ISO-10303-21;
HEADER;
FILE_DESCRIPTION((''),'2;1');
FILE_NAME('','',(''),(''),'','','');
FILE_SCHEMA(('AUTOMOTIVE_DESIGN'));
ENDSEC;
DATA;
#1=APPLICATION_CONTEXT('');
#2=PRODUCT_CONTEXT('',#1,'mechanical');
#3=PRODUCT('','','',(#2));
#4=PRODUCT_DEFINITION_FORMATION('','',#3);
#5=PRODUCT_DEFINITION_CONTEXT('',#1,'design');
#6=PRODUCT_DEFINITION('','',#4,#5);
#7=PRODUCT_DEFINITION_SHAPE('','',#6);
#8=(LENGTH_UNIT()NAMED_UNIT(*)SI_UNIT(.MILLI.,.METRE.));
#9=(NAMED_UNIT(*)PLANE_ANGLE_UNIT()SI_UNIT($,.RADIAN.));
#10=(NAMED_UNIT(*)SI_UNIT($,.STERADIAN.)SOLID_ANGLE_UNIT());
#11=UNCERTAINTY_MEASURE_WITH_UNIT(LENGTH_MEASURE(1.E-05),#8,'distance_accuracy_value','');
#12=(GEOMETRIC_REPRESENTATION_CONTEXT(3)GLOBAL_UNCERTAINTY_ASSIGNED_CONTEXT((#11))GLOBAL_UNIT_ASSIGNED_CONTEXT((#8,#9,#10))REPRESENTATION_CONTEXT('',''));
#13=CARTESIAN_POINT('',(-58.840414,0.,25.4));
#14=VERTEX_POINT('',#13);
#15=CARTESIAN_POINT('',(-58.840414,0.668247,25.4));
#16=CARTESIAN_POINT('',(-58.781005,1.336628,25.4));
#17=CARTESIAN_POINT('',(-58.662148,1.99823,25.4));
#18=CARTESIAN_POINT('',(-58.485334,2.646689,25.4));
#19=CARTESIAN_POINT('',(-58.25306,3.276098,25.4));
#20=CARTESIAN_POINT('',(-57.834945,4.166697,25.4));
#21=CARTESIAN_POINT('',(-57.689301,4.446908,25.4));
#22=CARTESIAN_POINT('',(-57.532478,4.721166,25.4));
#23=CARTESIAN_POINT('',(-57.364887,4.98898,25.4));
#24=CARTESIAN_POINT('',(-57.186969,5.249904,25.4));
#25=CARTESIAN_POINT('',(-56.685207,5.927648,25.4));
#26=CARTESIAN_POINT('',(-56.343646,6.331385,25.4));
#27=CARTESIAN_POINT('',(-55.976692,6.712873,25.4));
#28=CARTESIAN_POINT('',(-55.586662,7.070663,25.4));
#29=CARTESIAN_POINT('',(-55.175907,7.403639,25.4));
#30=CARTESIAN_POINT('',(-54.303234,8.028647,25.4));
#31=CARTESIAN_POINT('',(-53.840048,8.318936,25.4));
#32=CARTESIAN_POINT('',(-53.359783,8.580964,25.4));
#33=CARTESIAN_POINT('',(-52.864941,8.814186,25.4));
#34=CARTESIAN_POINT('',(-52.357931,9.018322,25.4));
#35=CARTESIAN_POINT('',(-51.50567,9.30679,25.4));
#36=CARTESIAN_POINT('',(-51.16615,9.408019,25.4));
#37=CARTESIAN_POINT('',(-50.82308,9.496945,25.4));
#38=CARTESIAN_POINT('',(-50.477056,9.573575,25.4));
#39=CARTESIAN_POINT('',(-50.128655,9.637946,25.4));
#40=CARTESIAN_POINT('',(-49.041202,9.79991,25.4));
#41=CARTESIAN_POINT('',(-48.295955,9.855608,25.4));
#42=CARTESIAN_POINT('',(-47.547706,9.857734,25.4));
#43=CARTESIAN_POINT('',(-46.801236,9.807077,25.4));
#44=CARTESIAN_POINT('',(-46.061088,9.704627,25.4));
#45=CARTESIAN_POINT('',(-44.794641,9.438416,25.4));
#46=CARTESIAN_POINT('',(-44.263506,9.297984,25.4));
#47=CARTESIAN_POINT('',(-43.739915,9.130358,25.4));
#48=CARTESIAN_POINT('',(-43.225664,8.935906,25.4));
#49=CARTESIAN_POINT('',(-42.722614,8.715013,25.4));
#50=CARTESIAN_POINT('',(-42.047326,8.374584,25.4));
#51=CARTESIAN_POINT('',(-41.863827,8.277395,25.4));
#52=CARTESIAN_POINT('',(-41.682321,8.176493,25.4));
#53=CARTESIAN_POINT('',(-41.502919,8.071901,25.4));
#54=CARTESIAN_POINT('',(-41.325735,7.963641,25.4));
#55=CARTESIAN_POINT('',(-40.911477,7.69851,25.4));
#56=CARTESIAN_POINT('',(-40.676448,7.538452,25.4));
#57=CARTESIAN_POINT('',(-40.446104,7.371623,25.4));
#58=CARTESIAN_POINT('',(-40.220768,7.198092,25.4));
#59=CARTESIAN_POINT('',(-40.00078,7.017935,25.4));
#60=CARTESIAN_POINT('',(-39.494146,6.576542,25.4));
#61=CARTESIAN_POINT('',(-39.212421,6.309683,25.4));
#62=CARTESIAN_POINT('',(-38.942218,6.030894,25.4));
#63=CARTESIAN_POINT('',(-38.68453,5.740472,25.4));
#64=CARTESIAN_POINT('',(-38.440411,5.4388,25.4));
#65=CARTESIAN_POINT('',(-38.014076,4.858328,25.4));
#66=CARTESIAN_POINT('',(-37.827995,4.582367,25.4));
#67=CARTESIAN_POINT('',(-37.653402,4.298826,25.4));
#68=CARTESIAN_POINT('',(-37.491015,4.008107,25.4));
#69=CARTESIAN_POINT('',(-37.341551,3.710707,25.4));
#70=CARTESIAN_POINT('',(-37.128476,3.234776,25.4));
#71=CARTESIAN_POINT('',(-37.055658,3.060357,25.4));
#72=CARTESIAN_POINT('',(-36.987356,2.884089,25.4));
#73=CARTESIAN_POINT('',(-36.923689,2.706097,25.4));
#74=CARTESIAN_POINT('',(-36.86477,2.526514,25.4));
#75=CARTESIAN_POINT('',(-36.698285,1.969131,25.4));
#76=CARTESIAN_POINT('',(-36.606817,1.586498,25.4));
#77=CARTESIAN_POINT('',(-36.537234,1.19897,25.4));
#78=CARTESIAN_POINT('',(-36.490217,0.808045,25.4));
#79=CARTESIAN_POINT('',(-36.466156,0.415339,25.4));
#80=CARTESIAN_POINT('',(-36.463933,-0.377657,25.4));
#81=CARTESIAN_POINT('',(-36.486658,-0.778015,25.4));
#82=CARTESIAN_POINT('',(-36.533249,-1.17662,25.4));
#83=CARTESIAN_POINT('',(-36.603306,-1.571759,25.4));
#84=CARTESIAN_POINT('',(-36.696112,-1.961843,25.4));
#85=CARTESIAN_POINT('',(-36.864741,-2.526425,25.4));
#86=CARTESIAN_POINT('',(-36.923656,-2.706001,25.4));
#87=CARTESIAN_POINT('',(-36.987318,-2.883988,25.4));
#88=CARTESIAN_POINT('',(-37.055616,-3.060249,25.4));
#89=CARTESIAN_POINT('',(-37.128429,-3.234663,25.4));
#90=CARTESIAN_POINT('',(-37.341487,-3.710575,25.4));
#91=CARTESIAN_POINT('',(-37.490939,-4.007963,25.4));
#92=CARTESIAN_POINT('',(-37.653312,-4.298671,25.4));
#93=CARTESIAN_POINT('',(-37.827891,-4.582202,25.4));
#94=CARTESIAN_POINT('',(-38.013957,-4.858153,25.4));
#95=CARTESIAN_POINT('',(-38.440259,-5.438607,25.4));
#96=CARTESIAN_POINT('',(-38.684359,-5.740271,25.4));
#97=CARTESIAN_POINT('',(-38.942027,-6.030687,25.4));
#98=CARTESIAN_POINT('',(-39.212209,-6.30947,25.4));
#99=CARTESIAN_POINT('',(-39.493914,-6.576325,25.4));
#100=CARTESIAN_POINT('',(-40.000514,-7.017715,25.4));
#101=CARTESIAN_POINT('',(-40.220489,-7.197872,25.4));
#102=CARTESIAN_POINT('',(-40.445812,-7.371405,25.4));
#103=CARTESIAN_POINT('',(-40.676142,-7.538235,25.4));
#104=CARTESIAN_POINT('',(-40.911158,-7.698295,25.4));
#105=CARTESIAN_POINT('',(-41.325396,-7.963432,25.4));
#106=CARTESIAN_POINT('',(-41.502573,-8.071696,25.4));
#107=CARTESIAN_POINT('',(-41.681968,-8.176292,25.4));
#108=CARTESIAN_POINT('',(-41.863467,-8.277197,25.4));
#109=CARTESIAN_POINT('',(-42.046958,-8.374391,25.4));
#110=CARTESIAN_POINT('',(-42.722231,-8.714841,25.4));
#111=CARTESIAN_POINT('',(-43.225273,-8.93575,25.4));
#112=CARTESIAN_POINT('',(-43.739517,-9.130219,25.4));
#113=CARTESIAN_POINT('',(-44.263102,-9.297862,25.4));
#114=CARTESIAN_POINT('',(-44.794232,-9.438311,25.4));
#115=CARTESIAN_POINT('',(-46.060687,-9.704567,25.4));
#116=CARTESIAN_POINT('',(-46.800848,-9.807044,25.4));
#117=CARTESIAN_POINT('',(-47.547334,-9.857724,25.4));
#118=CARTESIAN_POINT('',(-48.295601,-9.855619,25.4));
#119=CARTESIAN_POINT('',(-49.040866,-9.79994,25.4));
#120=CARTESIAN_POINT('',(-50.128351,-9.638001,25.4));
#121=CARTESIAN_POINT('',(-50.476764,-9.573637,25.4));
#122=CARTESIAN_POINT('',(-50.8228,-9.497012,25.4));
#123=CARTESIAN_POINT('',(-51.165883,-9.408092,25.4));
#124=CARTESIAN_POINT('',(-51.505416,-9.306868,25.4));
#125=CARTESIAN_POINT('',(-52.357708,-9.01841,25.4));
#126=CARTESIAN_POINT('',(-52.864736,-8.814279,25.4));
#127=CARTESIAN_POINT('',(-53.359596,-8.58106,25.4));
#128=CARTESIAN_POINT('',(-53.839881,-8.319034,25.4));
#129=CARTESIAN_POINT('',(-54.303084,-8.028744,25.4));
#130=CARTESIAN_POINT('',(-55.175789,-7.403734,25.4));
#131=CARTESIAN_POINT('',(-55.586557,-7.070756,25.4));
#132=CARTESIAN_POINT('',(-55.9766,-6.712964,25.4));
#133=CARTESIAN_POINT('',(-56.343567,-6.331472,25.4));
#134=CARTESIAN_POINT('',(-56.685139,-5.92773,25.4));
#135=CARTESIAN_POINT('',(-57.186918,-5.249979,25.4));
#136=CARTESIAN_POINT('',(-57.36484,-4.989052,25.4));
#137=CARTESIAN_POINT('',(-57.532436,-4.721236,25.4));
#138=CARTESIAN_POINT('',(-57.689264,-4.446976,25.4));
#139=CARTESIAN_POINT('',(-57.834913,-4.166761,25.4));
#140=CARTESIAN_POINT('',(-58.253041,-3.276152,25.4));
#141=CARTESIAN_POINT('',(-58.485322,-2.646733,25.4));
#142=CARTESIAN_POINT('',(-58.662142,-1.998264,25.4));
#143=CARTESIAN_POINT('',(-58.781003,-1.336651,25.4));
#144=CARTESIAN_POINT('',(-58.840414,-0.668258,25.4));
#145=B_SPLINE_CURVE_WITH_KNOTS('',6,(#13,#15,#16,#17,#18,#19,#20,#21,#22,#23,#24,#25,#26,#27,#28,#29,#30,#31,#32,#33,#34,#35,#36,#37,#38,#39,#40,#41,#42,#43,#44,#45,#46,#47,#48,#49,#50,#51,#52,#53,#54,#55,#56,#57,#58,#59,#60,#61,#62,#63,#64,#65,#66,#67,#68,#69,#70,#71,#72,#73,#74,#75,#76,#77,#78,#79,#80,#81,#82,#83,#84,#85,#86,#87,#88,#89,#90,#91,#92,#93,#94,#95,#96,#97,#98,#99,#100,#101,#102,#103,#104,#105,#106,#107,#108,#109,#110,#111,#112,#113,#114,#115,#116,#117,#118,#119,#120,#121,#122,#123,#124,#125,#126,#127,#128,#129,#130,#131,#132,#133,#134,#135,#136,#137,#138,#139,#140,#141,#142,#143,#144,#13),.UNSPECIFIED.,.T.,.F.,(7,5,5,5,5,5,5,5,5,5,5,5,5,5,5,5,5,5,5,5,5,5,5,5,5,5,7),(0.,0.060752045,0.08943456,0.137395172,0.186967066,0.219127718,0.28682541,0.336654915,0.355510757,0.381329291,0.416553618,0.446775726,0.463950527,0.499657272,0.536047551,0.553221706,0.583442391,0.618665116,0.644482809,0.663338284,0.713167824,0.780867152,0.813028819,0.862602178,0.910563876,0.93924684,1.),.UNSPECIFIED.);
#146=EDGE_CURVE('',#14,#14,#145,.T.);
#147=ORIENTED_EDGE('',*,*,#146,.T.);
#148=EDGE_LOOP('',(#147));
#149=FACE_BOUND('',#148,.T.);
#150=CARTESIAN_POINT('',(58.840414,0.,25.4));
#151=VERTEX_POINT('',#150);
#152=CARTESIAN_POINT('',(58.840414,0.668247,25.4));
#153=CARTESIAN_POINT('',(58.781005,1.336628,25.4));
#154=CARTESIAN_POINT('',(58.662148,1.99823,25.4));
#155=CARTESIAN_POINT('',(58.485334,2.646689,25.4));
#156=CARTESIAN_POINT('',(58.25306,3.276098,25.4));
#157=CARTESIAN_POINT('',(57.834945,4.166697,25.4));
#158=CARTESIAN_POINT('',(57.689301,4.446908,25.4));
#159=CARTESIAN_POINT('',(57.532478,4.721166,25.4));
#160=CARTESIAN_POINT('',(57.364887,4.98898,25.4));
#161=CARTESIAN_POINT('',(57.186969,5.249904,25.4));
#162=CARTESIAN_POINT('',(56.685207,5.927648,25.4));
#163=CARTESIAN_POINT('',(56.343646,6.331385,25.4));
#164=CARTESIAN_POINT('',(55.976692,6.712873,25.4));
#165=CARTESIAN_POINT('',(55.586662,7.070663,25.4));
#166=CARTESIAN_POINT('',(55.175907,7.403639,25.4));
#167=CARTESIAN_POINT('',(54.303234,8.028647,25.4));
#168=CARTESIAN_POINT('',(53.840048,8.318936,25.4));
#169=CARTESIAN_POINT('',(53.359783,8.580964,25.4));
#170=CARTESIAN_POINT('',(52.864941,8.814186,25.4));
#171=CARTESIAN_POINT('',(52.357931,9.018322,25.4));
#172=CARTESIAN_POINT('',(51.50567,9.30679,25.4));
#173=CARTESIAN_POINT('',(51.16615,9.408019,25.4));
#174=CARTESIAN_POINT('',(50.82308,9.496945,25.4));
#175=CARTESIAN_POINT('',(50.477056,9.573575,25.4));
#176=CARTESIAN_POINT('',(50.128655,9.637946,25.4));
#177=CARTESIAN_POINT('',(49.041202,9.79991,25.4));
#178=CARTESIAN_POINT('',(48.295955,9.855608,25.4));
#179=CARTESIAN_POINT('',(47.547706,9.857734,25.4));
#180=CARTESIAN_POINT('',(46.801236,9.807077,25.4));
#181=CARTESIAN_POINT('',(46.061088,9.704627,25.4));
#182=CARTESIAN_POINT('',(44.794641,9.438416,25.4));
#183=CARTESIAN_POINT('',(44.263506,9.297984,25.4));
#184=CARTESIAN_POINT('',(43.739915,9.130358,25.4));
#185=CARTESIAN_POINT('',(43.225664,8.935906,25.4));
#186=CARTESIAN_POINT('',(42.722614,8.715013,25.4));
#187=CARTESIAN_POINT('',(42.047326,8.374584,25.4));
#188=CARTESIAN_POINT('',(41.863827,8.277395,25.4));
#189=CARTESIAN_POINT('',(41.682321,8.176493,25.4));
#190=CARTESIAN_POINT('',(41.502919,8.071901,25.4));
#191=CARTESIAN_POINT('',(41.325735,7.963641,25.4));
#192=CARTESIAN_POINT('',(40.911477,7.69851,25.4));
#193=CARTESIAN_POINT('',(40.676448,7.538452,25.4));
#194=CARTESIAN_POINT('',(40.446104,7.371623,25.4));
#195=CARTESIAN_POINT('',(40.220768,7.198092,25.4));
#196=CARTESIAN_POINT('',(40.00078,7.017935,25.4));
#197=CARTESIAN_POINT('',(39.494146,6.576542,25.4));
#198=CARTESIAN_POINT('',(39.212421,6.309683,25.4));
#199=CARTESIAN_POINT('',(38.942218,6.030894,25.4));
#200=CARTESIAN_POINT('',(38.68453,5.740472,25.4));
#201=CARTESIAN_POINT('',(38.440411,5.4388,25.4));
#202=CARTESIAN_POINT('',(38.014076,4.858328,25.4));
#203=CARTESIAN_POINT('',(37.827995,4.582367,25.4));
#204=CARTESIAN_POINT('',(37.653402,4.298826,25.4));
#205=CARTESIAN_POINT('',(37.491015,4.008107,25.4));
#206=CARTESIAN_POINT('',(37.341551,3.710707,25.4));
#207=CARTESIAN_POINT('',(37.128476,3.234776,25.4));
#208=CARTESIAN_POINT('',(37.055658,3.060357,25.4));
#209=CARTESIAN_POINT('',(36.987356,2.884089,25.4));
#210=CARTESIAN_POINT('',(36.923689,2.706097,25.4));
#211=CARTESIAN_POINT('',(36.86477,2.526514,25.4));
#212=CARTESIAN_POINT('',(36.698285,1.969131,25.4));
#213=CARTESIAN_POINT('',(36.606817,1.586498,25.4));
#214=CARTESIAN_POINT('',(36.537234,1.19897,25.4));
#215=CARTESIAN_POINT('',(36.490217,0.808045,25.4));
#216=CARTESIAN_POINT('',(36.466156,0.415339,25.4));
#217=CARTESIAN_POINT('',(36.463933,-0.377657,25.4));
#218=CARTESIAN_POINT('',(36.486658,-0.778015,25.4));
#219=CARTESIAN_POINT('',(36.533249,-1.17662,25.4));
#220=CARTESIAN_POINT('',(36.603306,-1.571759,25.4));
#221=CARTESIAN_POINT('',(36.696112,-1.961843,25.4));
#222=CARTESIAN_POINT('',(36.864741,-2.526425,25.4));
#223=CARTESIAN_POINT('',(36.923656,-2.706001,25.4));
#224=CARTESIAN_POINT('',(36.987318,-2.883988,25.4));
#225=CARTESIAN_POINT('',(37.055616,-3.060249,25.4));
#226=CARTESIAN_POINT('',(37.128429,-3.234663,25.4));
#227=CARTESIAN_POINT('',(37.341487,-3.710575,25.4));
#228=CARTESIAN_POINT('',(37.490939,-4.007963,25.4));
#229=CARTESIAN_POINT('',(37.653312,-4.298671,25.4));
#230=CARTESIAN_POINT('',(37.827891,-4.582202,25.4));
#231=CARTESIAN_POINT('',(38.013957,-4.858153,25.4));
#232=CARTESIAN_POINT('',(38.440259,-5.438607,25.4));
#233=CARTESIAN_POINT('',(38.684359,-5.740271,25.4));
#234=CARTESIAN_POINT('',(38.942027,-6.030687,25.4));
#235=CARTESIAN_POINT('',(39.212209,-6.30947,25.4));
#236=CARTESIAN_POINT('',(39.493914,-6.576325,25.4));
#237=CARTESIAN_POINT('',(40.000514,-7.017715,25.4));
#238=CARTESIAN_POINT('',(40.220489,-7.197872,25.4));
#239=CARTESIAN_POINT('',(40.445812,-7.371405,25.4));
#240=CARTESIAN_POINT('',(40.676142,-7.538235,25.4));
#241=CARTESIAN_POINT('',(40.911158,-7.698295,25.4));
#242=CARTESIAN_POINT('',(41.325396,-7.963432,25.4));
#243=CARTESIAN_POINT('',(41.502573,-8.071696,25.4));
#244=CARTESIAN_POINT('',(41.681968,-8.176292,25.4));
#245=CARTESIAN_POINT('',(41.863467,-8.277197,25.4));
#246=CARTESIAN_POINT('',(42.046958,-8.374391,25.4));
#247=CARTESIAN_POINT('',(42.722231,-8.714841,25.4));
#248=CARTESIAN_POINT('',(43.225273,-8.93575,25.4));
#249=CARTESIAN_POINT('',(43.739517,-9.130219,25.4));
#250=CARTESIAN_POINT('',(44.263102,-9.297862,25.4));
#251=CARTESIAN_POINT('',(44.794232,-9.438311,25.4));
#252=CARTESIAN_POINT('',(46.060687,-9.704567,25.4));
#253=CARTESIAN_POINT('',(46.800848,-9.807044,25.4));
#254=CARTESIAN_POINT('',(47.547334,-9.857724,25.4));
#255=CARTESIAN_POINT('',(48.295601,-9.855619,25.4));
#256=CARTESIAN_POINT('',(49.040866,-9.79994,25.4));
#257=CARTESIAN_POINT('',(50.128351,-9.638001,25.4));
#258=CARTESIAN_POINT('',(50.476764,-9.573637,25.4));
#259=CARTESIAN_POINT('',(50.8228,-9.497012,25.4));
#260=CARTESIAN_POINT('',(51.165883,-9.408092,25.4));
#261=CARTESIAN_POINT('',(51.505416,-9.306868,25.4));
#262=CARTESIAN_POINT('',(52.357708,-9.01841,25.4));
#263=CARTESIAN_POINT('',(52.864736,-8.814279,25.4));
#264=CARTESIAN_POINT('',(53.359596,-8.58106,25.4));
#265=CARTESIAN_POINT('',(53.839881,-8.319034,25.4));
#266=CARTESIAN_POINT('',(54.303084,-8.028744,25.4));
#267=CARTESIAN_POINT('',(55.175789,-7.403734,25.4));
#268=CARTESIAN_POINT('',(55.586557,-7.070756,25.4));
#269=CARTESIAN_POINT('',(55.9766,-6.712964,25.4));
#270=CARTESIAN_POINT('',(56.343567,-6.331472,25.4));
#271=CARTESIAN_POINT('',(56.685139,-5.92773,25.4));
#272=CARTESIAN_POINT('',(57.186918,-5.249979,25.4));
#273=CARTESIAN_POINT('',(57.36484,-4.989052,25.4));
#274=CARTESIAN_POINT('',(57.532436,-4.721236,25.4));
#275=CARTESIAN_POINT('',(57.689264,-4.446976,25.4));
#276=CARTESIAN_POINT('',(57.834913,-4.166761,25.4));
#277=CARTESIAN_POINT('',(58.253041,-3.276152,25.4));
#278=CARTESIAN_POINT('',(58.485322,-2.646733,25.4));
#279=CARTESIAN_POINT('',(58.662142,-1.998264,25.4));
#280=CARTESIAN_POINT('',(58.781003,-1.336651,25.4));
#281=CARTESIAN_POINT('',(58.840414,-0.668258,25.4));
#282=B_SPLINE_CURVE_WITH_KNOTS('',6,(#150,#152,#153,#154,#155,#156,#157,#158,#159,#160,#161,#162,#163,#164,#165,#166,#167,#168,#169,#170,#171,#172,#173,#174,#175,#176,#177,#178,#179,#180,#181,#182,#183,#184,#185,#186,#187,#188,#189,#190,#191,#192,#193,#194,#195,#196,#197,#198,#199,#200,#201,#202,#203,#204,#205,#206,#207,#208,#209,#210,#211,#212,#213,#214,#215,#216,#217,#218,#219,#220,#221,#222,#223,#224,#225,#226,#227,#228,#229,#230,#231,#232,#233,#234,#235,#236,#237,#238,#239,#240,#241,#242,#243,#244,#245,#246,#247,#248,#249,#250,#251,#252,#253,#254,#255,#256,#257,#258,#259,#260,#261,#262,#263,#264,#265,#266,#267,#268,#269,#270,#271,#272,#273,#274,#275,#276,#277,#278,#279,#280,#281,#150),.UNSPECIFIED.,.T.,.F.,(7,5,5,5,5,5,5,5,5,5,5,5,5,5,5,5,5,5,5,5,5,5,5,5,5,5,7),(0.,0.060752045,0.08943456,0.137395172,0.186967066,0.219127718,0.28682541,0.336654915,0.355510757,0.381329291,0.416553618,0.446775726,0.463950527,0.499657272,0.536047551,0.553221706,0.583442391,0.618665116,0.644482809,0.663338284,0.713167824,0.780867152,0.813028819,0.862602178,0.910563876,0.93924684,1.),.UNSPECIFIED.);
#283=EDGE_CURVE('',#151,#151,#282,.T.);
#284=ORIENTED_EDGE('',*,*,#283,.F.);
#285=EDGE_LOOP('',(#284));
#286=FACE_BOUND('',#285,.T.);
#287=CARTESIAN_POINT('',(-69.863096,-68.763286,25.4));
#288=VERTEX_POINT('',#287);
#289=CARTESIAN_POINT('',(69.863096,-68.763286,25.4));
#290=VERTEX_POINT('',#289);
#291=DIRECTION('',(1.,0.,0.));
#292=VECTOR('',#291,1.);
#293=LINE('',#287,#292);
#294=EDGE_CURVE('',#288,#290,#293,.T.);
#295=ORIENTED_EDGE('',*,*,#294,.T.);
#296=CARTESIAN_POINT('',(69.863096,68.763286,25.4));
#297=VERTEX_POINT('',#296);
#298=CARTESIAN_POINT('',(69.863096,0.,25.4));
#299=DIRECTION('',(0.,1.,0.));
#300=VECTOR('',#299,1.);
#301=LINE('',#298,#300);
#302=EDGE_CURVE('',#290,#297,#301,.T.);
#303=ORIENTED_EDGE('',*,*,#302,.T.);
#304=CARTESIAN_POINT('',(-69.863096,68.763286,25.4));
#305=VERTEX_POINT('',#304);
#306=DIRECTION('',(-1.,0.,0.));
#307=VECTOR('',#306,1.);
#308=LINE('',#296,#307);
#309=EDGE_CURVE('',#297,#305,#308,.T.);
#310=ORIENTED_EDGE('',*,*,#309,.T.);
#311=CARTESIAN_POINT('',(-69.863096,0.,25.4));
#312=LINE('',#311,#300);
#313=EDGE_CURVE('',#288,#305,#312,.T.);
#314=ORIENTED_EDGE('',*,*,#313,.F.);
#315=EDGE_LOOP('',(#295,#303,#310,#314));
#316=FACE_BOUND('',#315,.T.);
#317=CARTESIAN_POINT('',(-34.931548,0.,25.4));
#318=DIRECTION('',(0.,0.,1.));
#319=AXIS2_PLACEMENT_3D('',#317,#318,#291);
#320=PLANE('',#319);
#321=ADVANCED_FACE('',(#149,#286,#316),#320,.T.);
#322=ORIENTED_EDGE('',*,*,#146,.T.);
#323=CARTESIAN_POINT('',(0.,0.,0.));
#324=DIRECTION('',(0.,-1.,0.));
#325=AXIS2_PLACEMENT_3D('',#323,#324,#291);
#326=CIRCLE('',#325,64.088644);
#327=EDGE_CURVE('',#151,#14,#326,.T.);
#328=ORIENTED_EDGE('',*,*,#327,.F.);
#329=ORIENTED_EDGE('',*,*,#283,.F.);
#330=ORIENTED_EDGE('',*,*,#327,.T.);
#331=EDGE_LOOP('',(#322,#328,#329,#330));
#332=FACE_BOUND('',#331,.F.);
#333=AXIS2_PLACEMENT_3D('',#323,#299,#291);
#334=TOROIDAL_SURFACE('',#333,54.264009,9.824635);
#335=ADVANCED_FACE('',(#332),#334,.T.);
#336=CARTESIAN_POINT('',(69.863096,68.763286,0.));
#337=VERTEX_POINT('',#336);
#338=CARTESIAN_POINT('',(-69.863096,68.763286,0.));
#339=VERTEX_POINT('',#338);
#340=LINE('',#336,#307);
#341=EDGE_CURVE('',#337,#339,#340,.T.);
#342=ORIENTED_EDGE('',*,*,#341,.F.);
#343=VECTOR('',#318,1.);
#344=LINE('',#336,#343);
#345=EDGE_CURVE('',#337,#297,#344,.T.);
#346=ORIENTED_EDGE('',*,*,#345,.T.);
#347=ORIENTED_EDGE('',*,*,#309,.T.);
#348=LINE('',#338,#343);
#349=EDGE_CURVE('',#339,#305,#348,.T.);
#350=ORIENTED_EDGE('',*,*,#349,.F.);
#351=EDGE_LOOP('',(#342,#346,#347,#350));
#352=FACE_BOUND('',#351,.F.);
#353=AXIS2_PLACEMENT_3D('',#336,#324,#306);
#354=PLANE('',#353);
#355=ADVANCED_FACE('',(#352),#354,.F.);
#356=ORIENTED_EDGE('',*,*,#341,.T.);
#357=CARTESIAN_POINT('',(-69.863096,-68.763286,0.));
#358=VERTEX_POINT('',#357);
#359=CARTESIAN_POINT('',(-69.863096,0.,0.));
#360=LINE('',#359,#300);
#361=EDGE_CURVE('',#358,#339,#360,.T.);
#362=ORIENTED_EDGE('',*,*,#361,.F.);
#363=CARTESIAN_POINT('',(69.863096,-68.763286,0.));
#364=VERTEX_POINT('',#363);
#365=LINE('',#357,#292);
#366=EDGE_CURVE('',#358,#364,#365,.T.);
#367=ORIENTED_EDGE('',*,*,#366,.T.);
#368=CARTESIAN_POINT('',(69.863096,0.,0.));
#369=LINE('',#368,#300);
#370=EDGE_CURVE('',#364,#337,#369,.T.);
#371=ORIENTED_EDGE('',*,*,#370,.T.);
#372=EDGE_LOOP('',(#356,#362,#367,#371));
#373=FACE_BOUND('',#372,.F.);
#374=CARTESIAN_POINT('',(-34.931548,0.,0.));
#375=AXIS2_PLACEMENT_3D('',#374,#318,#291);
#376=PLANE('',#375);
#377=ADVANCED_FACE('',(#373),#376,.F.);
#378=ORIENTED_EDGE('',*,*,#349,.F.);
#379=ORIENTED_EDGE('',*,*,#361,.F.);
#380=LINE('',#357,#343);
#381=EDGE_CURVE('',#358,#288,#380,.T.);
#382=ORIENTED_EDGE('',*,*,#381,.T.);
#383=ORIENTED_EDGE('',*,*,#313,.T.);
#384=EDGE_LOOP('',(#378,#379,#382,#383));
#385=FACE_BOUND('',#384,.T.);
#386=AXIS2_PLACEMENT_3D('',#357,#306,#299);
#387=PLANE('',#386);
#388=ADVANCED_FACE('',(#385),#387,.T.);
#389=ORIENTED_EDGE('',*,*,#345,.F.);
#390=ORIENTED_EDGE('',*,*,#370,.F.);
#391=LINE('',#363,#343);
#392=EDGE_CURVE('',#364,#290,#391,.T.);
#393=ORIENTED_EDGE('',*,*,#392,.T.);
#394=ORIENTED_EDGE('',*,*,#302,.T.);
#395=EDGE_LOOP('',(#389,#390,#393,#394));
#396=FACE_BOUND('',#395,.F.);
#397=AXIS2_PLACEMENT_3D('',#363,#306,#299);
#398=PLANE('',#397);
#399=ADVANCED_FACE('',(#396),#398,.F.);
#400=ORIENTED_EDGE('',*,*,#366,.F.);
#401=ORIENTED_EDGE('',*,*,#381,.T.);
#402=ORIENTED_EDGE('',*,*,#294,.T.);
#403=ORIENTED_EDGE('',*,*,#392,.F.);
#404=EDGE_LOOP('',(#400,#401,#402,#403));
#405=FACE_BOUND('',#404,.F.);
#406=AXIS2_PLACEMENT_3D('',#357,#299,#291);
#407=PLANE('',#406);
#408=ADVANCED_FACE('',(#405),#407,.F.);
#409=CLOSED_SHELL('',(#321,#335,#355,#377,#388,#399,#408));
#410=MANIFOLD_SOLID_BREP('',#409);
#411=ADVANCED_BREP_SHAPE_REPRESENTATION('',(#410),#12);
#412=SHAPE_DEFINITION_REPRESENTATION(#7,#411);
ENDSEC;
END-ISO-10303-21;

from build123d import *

# Parameters (mm, degrees)
F1_R     = 9.824635
F2_ANGLE = 180
F0_W     = 69.863096
F0_H     = 137.526572
F3_DEPTH = 25.4


with BuildPart() as f2:
    # F1 (on Top) → F2 (revolve)
    with BuildSketch(Plane.XY):
        with Locations((54.264009, 0)):
            Circle(F1_R)
    revolve(axis=Axis((0, 0, 0), (0, -1, 0)), revolution_arc=F2_ANGLE)

    # F0 (on Top) → F3 (join)
    with BuildSketch(Plane.XY):
        with Locations((-34.931548, 0)):
            Rectangle(F0_W, F0_H)
        with Locations((34.931548, 0)):
            Rectangle(F0_W, F0_H)
    extrude(amount=F3_DEPTH)


solid = f2.part
